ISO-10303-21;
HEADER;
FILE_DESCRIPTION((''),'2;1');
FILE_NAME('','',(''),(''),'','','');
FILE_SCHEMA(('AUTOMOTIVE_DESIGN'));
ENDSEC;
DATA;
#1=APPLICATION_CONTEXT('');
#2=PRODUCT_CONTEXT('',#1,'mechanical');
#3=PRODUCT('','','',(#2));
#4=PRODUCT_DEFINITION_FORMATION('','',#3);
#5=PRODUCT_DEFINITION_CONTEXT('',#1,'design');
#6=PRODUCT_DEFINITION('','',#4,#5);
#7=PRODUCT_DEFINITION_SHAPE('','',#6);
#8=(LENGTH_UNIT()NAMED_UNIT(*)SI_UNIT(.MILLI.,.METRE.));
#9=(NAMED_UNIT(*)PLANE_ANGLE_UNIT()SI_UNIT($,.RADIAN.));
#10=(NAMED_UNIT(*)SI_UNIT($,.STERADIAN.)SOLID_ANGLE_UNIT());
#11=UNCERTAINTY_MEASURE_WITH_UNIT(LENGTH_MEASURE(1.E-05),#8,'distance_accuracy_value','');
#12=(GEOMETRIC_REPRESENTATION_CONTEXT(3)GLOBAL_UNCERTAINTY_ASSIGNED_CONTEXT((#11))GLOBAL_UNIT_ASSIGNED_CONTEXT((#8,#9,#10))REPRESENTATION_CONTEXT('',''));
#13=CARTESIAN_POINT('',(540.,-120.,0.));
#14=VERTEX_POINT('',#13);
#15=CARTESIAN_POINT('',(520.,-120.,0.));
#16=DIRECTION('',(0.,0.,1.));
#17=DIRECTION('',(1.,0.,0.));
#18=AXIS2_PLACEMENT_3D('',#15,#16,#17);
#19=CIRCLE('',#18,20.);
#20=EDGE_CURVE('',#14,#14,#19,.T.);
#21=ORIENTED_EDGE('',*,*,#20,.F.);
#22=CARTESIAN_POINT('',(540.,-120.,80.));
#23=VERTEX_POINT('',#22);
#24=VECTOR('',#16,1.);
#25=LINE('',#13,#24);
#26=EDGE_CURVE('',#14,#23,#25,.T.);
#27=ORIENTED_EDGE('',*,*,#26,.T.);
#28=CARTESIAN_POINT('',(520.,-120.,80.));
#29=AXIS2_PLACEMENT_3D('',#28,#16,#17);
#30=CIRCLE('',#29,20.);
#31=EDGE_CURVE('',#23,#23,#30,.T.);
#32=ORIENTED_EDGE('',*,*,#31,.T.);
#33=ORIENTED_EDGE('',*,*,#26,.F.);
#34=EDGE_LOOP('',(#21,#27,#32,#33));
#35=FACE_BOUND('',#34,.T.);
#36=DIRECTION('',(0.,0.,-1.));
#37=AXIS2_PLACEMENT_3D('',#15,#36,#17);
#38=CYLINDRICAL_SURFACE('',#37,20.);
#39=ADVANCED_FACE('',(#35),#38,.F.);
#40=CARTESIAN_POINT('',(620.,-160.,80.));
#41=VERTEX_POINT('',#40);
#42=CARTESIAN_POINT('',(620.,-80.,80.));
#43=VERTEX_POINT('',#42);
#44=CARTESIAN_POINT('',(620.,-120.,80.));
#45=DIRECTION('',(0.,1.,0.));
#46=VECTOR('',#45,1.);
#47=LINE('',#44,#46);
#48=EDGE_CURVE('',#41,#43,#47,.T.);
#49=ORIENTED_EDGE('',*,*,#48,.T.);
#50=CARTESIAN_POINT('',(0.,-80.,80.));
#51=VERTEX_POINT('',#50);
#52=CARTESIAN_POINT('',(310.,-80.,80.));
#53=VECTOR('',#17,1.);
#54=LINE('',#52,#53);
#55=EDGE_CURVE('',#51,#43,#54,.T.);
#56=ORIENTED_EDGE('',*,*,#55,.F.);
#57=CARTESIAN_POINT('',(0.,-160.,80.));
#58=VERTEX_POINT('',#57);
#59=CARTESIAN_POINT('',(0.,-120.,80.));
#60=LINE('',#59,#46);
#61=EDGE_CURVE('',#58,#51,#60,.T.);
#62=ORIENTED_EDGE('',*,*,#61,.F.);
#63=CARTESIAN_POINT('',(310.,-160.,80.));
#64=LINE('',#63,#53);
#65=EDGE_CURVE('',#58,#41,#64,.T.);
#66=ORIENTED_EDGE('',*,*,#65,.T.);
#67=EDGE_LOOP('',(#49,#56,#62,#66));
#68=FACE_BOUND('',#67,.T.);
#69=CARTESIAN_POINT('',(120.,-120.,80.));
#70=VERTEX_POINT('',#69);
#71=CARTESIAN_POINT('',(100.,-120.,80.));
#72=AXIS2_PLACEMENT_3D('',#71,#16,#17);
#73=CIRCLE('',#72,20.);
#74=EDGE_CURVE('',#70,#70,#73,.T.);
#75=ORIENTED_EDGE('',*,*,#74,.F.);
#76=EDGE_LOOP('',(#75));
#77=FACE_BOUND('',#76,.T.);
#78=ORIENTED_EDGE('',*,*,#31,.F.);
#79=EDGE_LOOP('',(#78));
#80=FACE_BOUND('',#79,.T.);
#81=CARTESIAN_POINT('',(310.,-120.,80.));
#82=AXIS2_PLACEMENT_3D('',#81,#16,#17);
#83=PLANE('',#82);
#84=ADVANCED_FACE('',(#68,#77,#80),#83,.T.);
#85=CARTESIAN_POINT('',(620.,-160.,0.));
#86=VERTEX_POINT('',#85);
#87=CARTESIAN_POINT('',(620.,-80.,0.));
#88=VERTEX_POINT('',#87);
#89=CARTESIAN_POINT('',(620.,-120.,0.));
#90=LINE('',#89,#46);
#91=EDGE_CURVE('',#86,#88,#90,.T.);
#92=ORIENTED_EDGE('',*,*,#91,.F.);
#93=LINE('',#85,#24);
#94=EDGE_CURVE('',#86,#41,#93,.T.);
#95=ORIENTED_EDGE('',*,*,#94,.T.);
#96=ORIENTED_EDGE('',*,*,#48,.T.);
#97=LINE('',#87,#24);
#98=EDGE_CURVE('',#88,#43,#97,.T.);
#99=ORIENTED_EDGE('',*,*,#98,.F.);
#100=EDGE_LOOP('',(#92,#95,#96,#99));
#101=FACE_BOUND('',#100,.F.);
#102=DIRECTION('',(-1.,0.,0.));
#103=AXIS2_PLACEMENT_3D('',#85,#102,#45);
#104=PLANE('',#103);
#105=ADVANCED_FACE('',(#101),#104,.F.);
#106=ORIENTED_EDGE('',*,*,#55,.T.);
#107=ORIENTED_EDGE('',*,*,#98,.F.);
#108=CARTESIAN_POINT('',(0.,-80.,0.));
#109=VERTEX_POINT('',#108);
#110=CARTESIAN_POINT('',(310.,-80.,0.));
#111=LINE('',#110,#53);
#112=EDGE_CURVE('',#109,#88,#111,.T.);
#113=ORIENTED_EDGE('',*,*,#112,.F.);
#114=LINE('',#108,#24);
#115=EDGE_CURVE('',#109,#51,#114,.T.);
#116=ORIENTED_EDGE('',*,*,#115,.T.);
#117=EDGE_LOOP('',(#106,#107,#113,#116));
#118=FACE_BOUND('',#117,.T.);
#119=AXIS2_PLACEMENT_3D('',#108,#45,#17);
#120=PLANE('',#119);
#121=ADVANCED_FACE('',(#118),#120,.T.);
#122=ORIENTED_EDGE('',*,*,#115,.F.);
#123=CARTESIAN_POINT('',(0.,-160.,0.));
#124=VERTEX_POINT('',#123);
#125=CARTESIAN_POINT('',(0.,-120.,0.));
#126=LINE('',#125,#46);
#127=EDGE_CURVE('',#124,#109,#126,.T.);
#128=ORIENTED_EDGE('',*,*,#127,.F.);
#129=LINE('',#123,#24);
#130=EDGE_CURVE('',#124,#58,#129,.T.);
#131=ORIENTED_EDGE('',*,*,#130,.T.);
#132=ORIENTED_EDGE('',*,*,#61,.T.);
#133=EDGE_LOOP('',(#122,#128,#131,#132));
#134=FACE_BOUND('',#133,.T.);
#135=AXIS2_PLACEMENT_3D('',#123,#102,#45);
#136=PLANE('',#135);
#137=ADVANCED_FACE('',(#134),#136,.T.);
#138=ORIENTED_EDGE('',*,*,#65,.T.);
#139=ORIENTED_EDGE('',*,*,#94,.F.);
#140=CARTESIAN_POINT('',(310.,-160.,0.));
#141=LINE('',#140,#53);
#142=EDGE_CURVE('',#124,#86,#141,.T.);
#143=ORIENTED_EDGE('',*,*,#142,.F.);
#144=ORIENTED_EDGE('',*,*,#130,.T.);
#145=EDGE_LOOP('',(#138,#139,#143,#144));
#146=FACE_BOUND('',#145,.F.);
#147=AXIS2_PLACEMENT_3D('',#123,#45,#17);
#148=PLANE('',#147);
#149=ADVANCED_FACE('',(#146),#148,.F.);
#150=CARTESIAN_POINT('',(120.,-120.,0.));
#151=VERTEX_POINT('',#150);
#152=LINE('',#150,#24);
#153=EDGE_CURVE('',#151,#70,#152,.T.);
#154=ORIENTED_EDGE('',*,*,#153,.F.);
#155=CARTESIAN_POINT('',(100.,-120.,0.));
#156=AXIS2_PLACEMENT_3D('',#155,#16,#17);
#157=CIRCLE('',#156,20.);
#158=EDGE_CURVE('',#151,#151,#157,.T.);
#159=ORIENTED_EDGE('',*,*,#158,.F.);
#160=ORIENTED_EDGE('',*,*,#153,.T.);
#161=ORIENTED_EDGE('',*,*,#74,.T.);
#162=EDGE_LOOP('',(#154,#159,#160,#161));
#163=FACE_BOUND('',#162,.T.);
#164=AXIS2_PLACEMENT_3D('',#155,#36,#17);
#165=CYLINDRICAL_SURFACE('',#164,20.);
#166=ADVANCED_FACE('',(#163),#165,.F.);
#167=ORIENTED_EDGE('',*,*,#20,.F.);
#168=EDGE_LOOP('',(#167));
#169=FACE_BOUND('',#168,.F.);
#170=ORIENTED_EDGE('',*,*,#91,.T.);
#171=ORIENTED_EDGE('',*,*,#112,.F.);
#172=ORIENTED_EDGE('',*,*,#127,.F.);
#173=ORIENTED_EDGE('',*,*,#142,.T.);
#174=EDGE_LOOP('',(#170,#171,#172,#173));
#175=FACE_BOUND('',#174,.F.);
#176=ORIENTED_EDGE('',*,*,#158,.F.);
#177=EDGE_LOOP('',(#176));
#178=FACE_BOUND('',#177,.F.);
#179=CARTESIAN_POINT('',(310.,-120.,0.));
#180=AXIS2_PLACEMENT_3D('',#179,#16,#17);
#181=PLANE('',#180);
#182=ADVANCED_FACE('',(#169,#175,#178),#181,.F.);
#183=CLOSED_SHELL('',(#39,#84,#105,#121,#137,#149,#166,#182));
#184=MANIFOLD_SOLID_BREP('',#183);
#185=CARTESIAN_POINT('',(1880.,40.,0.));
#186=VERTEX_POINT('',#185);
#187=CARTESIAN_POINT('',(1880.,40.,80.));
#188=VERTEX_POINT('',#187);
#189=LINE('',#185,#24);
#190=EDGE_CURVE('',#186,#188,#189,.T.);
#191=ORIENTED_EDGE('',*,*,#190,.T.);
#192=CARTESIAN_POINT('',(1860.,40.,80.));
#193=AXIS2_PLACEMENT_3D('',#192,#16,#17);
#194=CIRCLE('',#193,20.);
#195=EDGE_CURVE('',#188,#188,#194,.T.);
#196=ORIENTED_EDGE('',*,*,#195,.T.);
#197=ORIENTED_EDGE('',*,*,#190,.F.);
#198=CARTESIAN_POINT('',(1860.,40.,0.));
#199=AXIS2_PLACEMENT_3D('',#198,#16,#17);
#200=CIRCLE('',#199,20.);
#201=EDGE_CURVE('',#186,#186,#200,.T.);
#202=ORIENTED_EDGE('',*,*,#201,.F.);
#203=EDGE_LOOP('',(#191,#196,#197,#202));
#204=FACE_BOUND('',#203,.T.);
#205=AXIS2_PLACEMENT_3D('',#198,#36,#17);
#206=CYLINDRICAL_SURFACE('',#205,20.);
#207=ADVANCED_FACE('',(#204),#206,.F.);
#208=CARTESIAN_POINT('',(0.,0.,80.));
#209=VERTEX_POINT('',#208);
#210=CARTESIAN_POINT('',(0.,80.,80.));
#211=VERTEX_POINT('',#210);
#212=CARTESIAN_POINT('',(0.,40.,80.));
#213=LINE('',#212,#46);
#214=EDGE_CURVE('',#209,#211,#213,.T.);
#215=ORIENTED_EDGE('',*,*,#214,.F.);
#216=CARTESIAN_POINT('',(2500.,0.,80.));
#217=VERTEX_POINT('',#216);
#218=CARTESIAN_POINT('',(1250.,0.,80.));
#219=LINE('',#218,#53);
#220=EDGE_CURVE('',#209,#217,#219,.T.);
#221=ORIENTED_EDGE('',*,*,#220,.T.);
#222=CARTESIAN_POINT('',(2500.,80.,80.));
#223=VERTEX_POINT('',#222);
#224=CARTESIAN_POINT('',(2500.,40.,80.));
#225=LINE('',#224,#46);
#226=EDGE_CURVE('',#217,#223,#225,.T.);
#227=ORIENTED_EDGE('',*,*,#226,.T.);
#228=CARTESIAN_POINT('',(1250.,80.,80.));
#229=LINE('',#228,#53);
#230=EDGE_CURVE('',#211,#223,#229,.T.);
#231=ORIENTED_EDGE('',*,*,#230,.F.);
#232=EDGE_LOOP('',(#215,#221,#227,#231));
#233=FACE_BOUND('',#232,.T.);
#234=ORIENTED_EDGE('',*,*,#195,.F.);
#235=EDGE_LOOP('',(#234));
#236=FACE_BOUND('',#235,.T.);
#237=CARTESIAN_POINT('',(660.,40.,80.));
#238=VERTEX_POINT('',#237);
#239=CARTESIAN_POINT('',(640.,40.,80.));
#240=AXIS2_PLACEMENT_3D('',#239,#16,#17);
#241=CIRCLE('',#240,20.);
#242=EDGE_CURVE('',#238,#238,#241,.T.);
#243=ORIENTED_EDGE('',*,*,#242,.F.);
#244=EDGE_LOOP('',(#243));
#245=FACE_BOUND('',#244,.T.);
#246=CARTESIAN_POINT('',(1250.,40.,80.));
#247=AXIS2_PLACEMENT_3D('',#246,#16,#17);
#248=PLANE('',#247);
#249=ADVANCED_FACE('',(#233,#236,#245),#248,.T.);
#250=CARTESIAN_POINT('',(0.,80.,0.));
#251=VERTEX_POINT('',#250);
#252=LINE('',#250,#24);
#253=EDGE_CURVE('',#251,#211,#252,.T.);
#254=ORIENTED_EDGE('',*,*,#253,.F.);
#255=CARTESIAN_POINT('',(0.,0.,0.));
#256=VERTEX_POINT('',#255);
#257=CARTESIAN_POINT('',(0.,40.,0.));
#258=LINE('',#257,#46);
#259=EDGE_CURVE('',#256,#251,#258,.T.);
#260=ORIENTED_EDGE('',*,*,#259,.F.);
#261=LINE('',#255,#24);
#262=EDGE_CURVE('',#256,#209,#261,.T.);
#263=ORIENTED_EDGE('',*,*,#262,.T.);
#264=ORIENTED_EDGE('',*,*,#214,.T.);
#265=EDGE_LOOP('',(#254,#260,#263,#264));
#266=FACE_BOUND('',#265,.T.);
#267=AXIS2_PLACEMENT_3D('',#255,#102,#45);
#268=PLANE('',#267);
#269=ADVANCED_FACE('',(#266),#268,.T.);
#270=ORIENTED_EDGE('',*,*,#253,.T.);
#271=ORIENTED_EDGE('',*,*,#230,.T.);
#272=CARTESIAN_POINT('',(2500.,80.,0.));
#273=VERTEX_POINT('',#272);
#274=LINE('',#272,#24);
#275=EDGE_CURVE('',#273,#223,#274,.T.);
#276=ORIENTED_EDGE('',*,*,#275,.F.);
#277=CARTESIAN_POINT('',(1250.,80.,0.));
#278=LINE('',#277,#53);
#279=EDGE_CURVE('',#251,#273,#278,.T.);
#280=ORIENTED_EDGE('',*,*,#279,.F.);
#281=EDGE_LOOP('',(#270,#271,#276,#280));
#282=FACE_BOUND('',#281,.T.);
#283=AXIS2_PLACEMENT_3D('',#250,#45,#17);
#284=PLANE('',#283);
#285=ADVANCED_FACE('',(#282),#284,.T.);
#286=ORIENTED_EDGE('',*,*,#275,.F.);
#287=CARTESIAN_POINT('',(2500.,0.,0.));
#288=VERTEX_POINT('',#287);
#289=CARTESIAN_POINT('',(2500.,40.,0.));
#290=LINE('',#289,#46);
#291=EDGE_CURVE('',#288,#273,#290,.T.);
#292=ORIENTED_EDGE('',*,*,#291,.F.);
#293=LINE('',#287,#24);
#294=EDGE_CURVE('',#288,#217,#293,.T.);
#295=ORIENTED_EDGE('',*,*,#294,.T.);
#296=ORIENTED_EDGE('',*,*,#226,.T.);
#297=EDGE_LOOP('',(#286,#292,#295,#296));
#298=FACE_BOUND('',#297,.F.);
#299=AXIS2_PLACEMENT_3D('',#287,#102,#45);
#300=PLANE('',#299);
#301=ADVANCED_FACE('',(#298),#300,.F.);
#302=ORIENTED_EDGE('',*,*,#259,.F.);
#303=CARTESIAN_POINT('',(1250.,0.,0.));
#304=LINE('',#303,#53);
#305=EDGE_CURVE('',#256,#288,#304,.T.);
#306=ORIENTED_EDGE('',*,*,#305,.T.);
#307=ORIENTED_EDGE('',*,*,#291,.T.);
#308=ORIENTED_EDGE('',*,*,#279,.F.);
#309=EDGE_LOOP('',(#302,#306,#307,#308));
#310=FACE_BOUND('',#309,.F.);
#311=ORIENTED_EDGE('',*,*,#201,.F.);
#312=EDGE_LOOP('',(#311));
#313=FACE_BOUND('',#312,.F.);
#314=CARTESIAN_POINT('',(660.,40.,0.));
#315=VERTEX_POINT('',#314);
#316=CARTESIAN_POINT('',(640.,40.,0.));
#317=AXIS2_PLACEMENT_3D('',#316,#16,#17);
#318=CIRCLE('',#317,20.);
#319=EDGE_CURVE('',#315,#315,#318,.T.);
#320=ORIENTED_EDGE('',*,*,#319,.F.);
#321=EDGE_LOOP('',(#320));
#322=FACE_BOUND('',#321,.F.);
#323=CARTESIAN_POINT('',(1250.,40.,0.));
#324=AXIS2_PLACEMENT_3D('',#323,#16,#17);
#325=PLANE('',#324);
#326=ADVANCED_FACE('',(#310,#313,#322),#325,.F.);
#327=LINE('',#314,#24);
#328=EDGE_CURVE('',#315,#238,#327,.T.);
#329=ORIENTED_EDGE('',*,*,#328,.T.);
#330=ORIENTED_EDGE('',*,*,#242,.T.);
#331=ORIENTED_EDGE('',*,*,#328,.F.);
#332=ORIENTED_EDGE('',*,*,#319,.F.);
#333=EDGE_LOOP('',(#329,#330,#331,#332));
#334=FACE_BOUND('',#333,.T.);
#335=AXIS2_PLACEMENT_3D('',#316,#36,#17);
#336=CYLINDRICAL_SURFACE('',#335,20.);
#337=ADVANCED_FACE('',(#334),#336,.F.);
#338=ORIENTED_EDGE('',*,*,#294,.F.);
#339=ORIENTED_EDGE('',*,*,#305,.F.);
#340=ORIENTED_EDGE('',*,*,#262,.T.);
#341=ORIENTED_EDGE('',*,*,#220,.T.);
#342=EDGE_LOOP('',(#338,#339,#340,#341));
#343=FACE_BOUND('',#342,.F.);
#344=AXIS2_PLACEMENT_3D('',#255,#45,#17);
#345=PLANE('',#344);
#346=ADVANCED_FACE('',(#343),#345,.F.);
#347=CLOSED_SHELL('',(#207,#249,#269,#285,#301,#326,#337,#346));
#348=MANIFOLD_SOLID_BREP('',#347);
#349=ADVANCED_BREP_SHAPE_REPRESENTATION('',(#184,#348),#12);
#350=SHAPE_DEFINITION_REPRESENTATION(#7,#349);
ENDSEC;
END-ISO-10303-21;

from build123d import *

# Parameters (mm, degrees)
F0_W     = 2500
F0_H     = 80
F0_R     = 20
F0_W_2   = 620
F1_DEPTH = 80


with BuildPart() as f1:
    # F0 (on Top) → F1 (new body)
    with BuildSketch(Plane.XY):
        with Locations((1250, 40)):
            Rectangle(F0_W, F0_H)
        with Locations((640, 40)):
            Circle(F0_R, mode=Mode.SUBTRACT)
        with Locations((1860, 40)):
            Circle(F0_R, mode=Mode.SUBTRACT)
        with Locations((310, -120)):
            Rectangle(F0_W_2, F0_H)
        with Locations((100, -120)):
            Circle(F0_R, mode=Mode.SUBTRACT)
        with Locations((520, -120)):
            Circle(F0_R, mode=Mode.SUBTRACT)
    extrude(amount=F1_DEPTH)


solid = f1.part
